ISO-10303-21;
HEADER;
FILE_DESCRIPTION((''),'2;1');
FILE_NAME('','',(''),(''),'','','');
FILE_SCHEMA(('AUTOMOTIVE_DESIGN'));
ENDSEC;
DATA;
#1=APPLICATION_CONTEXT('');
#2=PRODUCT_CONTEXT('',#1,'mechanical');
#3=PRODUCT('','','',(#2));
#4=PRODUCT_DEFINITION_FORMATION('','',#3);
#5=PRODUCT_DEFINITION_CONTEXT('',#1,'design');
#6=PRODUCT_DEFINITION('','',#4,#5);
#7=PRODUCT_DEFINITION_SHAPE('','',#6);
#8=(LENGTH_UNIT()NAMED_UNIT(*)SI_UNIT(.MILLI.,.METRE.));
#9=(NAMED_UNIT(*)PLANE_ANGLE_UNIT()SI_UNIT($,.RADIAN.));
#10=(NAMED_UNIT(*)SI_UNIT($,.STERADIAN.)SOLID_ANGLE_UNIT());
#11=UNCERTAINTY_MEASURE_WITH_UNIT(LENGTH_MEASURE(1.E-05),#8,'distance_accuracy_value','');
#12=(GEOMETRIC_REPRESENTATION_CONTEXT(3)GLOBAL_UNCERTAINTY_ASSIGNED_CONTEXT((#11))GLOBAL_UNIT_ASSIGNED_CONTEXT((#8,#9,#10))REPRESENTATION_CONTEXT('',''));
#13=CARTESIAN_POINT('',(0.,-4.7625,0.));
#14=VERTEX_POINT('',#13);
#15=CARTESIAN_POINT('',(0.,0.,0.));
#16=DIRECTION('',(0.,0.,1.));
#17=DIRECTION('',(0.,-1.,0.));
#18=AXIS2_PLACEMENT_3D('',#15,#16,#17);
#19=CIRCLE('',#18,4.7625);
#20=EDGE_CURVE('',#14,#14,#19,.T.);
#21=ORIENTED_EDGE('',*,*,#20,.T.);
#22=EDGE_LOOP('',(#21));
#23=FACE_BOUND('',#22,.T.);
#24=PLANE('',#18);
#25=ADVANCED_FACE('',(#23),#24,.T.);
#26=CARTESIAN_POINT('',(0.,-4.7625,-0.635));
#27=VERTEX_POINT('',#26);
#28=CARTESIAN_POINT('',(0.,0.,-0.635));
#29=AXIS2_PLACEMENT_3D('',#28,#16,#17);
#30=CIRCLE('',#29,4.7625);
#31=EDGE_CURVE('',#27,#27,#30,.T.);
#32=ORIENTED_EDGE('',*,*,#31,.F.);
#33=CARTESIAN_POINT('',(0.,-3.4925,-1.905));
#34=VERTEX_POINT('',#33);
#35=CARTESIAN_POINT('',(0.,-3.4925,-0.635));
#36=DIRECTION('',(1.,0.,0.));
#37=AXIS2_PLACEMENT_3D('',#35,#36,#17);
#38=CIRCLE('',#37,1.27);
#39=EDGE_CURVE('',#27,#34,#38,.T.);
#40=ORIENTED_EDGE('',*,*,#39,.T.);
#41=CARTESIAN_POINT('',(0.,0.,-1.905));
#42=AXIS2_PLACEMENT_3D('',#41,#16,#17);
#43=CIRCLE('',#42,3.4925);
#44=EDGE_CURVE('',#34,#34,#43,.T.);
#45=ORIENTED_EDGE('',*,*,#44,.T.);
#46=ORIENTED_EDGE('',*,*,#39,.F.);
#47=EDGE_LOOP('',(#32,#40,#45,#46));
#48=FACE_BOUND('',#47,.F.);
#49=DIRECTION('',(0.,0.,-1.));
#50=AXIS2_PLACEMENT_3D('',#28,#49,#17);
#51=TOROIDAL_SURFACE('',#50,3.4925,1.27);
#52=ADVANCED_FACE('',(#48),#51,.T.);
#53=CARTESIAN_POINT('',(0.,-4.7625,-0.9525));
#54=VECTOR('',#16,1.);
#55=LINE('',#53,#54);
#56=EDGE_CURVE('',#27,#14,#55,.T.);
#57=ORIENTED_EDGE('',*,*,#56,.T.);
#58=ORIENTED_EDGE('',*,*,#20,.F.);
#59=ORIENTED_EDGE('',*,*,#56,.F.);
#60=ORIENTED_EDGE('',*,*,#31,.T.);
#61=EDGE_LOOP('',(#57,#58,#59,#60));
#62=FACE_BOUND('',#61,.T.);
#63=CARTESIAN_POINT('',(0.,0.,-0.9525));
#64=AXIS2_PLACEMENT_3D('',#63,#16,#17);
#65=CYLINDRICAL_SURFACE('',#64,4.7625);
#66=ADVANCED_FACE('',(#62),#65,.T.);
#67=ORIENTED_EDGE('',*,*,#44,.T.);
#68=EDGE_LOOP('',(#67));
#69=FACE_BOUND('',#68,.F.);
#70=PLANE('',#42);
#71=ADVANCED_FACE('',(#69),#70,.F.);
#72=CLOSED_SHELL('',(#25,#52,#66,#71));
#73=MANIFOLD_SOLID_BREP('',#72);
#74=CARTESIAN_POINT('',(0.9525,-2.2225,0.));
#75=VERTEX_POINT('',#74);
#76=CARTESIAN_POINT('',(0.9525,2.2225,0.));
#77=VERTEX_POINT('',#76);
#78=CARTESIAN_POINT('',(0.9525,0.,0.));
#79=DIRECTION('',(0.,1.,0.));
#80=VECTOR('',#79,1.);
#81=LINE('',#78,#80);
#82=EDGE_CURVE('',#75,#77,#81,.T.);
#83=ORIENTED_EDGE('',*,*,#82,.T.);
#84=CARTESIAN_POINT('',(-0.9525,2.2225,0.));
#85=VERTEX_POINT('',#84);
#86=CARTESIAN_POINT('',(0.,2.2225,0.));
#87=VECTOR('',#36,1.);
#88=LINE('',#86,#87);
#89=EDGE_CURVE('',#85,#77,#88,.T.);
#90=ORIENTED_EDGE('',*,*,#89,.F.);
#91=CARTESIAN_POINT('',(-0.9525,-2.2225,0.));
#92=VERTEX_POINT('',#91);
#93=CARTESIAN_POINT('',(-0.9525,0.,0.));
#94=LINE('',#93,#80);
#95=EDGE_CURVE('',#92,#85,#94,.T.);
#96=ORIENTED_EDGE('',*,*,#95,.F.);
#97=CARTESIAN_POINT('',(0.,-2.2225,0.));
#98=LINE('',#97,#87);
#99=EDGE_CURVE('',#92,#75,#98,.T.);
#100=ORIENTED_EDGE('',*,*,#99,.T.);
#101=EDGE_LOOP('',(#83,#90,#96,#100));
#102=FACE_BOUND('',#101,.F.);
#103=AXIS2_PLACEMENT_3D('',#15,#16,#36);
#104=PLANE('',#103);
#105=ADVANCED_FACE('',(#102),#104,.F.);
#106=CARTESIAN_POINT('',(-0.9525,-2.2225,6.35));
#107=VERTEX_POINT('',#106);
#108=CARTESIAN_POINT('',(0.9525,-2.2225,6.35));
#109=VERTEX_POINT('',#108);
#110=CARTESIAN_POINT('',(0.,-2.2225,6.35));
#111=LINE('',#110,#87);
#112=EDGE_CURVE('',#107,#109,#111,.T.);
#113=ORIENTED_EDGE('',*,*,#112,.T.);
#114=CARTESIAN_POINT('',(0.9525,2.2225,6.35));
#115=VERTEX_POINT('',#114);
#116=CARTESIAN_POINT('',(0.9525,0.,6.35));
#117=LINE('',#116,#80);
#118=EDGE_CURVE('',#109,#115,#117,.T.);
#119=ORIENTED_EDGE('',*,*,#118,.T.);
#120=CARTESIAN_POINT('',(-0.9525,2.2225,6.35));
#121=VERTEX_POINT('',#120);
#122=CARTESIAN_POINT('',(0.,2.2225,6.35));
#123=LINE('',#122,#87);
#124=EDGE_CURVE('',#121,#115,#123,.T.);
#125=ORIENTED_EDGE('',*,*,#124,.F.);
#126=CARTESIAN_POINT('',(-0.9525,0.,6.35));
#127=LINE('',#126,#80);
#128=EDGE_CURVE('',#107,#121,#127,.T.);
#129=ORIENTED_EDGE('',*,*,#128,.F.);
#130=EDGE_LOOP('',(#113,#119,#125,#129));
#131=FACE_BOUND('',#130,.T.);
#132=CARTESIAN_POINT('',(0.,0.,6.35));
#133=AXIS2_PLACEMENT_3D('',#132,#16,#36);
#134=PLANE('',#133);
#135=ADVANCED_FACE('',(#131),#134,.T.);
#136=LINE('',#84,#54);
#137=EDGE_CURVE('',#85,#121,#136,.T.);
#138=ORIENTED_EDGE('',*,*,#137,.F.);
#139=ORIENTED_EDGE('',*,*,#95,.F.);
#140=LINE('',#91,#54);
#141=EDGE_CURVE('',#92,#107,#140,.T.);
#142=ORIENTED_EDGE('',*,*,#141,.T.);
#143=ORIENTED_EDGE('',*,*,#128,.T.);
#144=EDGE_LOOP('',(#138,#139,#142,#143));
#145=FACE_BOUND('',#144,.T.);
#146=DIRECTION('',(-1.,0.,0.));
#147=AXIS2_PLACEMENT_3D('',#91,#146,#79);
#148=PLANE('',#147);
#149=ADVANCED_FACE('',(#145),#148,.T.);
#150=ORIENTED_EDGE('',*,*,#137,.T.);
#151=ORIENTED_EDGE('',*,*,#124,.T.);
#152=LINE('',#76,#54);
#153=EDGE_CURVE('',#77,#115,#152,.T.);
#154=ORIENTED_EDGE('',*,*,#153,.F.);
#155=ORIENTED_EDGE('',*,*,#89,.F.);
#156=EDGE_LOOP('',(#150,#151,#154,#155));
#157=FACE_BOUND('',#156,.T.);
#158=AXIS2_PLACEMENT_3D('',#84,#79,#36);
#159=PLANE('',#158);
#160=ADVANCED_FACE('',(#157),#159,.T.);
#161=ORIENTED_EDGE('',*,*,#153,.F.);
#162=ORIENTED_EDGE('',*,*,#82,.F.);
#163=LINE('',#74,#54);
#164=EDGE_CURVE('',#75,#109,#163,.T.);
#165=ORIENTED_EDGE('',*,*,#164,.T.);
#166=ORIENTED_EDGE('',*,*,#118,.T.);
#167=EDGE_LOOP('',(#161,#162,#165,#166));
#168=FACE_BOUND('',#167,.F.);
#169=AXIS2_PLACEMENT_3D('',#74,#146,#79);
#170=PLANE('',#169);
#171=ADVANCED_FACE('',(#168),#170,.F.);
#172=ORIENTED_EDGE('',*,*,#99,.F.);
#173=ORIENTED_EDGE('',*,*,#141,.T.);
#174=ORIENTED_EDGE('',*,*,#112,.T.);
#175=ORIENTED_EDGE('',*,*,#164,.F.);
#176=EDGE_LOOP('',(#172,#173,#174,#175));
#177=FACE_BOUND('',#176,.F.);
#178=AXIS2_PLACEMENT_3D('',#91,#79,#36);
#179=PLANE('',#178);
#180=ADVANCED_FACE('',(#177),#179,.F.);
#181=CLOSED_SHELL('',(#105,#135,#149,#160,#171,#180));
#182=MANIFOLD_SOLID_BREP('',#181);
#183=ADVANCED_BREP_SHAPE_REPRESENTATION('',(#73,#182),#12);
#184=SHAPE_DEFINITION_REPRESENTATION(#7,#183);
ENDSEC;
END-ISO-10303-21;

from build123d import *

# Parameters (mm, degrees)
F0_W     = 4.7625
F0_H     = 1.905
F2_W     = 1.905
F2_H     = 4.445
F3_DEPTH = 6.35
F4_R     = 1.27


with BuildPart() as f1:
    # F0 (on Right) → F1 (revolve)
    with BuildSketch(Plane.YZ):
        with Locations((-2.38125, -0.9525)):
            Rectangle(F0_W, F0_H)
    revolve(axis=Axis((0, 0, -0.9525), (0, 0, 1)))

    # F4
    f4_edges = [f1.edges().sort_by_distance(p)[0] for p in [
        (0, 4.7625, -1.905),
    ]]
    fillet(f4_edges, radius=F4_R)


with BuildPart() as f3:
    # F2 (on face) → F3 (new body)
    with BuildSketch(Plane.XY):
        Rectangle(F2_W, F2_H)
    extrude(amount=F3_DEPTH)


solid = Compound([f1.part, f3.part])
